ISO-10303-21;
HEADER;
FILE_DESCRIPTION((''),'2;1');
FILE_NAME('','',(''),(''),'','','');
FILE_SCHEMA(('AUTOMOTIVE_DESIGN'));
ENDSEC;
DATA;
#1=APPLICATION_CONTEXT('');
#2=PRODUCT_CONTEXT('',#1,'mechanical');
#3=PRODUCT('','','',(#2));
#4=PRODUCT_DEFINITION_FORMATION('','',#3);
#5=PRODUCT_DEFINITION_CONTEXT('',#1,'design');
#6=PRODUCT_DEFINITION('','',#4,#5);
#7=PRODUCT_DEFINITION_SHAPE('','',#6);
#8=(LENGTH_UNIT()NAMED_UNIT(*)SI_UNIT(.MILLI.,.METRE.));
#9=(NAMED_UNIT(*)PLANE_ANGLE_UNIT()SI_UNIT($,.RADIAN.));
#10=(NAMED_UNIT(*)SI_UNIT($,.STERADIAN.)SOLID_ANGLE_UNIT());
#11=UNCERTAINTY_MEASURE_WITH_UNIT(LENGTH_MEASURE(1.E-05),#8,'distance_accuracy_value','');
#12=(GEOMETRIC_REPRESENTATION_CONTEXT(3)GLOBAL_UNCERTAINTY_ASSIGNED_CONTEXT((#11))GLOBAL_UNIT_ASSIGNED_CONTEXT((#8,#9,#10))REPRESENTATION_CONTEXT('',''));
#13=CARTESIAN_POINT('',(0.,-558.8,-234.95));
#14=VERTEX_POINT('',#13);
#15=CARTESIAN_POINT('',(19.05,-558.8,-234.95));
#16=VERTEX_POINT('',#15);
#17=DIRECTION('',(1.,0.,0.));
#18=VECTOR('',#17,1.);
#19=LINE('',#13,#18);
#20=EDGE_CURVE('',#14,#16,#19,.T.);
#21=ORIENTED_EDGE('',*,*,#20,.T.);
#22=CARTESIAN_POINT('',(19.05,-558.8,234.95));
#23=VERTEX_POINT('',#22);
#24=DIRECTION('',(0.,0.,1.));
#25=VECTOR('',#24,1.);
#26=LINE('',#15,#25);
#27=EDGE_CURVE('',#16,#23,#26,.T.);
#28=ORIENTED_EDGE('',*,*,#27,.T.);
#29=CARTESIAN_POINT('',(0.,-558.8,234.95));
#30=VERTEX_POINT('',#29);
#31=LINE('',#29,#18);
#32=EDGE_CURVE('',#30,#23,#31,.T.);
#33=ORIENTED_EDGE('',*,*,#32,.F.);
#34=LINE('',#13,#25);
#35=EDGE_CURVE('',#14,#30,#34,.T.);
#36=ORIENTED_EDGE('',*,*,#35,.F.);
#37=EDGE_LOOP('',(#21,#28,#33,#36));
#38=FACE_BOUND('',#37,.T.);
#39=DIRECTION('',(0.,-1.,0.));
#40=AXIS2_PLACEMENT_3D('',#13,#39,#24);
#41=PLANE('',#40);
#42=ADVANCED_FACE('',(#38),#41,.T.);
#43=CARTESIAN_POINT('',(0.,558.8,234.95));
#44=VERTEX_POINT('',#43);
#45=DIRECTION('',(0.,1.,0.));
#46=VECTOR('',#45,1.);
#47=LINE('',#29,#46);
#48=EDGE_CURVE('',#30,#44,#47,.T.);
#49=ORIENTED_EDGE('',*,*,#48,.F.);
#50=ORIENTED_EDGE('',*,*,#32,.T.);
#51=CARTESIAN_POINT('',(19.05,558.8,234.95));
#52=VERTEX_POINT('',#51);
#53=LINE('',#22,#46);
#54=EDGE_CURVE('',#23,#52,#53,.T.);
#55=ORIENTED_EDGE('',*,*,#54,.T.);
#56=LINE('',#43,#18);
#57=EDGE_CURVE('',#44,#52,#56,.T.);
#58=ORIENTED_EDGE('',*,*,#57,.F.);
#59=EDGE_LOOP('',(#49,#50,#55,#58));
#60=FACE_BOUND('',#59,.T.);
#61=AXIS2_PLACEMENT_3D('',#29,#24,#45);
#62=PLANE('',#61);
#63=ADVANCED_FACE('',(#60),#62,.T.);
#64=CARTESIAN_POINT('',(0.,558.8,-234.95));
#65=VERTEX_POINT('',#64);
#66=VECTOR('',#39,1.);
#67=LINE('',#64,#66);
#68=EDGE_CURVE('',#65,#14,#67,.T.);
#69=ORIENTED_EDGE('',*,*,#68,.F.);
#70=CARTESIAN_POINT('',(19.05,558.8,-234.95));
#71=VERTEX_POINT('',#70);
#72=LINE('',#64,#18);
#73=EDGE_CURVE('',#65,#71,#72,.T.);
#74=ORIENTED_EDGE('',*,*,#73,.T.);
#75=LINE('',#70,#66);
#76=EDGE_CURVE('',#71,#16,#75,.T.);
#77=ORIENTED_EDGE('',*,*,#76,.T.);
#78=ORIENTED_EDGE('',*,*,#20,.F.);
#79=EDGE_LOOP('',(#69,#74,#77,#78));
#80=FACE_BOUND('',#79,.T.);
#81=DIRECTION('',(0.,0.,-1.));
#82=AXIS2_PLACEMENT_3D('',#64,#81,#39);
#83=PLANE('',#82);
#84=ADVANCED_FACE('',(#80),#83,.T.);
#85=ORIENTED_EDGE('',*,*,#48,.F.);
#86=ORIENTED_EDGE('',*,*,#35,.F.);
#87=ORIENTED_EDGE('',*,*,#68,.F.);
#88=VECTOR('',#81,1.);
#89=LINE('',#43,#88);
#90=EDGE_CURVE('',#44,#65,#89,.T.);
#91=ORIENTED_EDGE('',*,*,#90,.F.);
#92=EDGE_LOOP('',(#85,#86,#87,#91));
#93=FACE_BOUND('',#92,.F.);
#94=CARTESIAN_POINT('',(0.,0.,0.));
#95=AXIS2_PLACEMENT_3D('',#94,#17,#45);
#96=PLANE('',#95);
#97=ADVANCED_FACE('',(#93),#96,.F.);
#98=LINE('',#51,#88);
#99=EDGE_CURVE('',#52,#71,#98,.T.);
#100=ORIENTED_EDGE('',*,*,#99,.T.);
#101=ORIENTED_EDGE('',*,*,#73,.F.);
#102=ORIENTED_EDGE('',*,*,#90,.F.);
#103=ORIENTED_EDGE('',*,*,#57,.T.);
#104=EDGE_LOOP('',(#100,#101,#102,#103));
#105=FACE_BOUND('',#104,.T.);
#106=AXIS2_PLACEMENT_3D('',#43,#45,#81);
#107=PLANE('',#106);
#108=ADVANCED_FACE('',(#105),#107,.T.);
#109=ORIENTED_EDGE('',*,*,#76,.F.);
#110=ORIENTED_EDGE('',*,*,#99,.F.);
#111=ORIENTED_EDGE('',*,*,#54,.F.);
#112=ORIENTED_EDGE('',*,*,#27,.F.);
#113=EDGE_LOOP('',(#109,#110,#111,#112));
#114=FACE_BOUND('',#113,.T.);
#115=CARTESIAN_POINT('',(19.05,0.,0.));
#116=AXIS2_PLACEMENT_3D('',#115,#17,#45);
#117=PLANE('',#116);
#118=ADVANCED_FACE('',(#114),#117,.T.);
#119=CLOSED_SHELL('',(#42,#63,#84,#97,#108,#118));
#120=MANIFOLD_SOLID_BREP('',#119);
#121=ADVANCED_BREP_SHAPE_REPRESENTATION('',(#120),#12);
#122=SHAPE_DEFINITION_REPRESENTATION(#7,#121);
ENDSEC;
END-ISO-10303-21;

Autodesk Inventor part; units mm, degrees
ref_plane "YZ Plane" through (0, 0, 0) normal (1, 0, 0) x (0, 1, 0)
ref_plane "XZ Plane" through (0, 0, 0) normal (0, 1, 0) x (-1, 0, 0)
ref_plane "XY Plane" through (0, 0, 0) normal (0, 0, 1) x (1, 0, 0)
sketch "Sketch1" plane through (0, 0, 0) normal (1, 0, 0) x (0, 1, 0)
  line L0 (-558.8, 234.95) -> (558.8, 234.95)
  line L1 (558.8, 234.95) -> (558.8, -234.95)
  line L2 (558.8, -234.95) -> (-558.8, -234.95)
  line L3 (-558.8, -234.95) -> (-558.8, 234.95)
  line L4 (-558.8, 234.95) -> (558.8, -234.95) construction
  line L5 (558.8, 234.95) -> (-558.8, -234.95) construction
  point P0 (0, 0)
  dimension "d0" = 469.9
  dimension "d1" = 1117.6
extrude "Extrusion1" add sketch "Sketch1" along normal blind 19.05
properties part number "front board (for assembly)"
